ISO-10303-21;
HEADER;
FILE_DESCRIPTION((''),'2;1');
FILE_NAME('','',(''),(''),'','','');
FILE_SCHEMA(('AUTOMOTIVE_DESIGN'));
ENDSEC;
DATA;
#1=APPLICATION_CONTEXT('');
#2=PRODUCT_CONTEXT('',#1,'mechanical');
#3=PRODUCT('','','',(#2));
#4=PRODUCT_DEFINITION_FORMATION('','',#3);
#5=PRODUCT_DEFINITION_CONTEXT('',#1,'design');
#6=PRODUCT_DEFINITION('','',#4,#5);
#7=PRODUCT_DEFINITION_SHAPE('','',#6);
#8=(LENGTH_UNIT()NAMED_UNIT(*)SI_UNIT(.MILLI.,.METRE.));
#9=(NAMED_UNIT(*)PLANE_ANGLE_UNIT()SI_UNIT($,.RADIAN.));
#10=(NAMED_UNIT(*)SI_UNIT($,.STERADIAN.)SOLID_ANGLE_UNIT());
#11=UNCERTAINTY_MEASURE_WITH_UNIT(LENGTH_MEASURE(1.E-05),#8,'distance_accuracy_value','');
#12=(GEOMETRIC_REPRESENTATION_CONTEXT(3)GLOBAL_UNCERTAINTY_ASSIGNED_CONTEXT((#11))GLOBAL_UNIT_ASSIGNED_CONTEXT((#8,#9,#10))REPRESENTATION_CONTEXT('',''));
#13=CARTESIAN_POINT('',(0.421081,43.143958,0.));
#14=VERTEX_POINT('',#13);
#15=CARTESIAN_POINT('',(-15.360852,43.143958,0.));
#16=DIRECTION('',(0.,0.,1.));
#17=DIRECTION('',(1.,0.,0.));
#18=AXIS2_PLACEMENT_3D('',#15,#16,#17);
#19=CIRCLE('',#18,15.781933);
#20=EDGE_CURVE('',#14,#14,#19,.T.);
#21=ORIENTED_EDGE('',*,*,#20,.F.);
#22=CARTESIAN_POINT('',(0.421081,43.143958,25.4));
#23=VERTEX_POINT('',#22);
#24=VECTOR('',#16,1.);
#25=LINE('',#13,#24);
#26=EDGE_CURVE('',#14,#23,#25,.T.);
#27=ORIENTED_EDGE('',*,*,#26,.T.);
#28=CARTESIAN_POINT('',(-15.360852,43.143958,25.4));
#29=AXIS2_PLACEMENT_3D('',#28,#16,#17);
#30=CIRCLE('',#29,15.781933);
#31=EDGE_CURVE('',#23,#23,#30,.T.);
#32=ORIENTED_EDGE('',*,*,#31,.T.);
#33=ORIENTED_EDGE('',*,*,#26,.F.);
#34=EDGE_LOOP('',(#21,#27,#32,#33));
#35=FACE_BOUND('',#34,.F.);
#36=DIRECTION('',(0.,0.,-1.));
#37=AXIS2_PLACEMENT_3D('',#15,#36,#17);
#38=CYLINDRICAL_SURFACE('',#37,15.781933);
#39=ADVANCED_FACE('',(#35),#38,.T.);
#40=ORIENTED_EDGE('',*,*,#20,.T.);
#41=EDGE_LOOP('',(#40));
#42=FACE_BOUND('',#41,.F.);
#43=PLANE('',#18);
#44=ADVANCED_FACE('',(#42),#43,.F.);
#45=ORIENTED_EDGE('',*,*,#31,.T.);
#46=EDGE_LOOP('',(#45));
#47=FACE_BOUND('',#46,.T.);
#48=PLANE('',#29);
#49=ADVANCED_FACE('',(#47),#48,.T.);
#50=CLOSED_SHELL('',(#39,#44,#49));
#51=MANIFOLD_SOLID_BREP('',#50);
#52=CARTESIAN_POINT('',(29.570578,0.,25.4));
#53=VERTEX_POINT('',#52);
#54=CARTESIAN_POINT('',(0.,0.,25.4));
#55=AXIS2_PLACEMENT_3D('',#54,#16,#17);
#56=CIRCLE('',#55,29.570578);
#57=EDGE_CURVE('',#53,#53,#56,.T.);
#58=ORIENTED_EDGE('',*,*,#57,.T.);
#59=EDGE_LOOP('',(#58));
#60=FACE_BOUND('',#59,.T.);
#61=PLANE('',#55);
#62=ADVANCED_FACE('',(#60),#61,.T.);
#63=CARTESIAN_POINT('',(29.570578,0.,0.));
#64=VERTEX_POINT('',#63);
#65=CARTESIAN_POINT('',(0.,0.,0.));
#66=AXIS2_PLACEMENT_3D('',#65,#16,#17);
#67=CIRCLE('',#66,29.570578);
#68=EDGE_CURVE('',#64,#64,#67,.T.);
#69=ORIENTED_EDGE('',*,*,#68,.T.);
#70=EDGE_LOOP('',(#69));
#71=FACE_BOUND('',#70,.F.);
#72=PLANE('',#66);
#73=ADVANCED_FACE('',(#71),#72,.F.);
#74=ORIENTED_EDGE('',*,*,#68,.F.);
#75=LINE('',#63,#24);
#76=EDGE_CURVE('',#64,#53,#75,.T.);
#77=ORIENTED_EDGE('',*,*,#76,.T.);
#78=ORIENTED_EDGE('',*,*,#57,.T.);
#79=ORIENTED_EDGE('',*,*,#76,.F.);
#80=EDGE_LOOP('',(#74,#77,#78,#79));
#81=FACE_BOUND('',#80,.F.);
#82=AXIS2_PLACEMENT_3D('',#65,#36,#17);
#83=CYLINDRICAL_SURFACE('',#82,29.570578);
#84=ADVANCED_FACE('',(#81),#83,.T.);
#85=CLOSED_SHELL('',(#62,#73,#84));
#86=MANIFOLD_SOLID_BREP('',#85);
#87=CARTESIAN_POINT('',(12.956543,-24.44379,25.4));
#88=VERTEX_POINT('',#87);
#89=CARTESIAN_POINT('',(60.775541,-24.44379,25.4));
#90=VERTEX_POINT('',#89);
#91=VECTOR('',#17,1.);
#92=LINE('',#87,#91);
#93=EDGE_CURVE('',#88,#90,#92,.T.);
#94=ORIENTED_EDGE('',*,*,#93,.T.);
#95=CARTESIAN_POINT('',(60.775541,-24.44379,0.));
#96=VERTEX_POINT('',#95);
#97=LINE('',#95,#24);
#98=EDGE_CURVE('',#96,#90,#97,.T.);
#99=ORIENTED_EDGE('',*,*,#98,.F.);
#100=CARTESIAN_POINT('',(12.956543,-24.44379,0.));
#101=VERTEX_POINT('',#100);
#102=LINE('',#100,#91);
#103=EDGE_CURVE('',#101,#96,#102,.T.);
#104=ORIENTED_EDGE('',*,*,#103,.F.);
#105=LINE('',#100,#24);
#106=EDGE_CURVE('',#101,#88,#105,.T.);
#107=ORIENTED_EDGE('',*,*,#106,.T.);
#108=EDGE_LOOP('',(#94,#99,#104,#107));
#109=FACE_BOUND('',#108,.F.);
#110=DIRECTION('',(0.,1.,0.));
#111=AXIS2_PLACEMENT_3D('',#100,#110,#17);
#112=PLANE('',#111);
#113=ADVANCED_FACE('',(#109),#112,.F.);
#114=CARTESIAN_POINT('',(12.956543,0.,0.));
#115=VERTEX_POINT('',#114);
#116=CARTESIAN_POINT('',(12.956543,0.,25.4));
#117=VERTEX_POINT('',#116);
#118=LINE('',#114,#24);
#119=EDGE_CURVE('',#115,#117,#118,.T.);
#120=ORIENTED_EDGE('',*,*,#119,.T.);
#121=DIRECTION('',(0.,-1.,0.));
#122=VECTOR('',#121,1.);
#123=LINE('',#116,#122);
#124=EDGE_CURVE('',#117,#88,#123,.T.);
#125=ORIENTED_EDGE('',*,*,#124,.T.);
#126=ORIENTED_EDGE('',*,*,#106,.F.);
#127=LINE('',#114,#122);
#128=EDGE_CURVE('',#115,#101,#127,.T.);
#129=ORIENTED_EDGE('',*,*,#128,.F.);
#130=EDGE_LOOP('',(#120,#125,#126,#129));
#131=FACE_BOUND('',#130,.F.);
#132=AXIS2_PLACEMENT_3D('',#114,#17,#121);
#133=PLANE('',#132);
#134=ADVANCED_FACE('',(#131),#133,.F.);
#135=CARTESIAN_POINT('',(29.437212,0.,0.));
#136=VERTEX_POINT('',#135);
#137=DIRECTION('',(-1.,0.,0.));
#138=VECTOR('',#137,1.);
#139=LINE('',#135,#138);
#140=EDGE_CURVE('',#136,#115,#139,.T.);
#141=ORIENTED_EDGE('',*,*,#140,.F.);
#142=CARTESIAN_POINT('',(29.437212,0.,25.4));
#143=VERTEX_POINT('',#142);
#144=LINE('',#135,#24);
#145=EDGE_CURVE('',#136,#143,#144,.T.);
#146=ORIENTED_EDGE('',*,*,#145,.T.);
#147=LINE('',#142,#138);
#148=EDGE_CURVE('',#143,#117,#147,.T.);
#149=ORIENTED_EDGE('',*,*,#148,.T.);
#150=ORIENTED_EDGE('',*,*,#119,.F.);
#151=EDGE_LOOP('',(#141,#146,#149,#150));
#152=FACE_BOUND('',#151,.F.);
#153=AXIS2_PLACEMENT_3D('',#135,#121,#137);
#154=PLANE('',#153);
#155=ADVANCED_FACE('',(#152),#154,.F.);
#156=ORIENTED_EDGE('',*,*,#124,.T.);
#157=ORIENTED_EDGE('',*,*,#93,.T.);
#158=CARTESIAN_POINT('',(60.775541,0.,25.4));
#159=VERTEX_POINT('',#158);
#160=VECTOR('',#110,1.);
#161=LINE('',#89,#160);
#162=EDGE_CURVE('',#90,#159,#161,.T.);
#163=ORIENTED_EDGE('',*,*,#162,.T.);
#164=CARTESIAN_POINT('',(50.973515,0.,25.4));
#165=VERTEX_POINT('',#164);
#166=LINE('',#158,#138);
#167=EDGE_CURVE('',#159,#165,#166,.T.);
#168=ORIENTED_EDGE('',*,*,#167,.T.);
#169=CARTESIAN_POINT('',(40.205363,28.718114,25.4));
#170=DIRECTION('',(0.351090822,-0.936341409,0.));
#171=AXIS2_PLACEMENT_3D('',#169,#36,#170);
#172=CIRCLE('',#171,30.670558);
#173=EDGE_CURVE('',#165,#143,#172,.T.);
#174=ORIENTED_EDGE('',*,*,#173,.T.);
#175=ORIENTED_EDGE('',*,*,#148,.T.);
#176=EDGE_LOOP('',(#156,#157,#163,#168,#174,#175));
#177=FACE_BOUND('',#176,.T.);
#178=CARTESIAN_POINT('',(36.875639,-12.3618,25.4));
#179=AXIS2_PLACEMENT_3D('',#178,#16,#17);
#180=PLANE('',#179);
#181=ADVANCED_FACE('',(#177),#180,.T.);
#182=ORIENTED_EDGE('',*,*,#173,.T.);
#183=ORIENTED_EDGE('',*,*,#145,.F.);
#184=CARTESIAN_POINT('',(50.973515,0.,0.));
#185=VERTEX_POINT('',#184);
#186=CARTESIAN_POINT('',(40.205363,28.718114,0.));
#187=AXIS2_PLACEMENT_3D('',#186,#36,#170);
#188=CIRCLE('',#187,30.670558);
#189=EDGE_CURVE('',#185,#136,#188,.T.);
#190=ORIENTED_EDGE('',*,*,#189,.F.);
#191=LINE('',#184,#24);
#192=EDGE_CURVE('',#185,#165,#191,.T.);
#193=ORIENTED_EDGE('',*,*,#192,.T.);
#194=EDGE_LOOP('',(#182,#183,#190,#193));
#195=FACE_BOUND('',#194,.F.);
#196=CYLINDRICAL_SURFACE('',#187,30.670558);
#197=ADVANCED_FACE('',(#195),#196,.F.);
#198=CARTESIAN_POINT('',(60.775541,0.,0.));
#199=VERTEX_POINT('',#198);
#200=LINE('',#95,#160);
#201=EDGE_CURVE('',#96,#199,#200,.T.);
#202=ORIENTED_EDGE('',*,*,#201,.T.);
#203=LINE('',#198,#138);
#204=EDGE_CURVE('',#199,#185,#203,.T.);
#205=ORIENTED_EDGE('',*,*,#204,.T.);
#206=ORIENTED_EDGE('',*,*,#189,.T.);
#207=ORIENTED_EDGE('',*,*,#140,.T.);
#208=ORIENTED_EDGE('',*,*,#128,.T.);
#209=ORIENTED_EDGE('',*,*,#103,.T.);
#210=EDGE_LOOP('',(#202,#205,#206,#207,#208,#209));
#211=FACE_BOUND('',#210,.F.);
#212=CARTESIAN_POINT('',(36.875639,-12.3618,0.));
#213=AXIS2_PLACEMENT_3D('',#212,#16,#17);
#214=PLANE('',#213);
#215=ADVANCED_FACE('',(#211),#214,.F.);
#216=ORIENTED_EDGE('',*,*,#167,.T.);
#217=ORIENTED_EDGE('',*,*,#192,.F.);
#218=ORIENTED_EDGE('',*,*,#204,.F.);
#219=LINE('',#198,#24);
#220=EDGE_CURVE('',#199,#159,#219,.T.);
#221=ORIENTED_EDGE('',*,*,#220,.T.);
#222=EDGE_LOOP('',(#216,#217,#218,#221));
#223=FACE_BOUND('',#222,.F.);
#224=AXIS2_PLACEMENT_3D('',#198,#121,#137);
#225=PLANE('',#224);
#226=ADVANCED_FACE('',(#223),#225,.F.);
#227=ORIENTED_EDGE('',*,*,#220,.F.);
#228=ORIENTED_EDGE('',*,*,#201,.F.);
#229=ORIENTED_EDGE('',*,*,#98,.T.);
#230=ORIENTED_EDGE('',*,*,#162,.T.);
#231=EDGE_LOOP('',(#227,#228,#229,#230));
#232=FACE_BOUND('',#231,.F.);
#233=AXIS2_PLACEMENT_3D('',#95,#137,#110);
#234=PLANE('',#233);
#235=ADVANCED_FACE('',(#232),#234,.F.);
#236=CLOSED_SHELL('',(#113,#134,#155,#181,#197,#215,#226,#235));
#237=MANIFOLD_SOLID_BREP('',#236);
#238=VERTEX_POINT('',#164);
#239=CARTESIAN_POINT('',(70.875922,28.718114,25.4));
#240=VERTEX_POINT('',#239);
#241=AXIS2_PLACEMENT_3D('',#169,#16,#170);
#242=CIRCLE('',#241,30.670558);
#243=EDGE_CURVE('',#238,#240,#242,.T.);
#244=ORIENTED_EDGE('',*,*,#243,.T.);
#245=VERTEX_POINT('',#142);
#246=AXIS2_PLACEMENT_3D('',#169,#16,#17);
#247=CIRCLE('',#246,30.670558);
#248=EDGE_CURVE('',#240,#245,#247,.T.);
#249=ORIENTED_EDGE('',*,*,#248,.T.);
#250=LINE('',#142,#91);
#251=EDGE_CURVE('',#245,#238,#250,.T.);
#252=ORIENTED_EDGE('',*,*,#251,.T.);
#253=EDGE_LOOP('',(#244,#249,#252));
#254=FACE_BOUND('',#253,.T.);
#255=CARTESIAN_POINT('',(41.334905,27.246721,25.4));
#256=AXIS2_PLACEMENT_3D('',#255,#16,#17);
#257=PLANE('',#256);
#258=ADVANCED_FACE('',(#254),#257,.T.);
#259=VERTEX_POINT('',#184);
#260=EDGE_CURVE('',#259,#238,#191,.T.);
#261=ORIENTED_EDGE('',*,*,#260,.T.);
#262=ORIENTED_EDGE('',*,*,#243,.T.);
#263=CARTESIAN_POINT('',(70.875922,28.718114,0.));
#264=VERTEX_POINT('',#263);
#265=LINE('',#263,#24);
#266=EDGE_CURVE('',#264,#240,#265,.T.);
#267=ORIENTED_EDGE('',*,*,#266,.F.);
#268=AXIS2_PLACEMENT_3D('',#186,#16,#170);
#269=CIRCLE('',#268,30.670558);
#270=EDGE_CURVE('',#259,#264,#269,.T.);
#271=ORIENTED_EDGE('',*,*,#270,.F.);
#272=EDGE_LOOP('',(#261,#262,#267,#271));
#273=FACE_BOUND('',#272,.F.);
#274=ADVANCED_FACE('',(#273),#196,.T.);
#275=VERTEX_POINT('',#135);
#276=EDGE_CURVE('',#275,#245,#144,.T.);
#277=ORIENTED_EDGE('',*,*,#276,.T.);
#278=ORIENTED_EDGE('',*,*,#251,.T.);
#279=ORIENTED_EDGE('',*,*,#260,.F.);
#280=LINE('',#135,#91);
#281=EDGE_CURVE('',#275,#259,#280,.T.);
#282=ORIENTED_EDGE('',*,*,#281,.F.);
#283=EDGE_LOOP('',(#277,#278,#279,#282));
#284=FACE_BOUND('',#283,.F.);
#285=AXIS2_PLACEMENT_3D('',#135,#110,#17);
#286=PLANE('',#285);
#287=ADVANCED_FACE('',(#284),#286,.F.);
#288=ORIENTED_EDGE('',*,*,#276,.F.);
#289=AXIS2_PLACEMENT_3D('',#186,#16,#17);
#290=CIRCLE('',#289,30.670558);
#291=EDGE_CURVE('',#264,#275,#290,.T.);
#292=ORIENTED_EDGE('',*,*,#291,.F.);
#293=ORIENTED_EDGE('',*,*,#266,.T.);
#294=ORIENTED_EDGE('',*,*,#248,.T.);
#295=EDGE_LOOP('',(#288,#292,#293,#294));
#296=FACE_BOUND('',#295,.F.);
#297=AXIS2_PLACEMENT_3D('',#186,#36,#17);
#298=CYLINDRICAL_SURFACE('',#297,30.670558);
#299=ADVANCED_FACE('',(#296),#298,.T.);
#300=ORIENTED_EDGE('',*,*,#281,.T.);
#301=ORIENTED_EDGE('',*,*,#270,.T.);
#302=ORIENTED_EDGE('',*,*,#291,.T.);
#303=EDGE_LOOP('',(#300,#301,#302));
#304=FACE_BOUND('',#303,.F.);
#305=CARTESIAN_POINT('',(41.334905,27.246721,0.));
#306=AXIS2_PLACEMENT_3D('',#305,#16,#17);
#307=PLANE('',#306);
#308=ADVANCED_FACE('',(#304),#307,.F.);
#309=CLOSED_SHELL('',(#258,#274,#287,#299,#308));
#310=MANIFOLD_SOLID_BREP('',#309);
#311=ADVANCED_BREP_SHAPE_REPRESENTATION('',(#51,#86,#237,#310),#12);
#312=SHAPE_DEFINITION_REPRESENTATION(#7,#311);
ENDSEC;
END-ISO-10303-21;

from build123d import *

# Parameters (mm, degrees)
F0_R     = 29.5705775905
F3_DEPTH = 25.4
F1_R     = 15.7819327394


with BuildPart() as f3:
    # F0 (on Top) → F3 (new body)
    with BuildSketch(Plane.XY):
        Circle(F0_R)
    extrude(amount=F3_DEPTH)


with BuildPart() as f3b:
    # F2 (on Top) → F3, piece 2 (new body)
    with BuildSketch(Plane.XY):
        with BuildLine():
            ThreePointArc((50.9735147705, 0), (40.2053631842, -1.9524445325), (29.4372115979, 0))
            Line((29.4372115979, 0), (12.9565428942, 0))
            Line((12.9565428942, 0), (12.9565428942, -24.4437903166))
            Line((12.9565428942, -24.4437903166), (60.7755407691, -24.4437903166))
            Line((60.7755407691, -24.4437903166), (60.7755407691, 0))
            Line((60.7755407691, 0), (50.9735147705, 0))
        make_face()
    extrude(amount=F3_DEPTH)


with BuildPart() as f3c:
    # F2 (on Top) → F3, piece 3 (new body)
    with BuildSketch(Plane.XY):
        with BuildLine():
            ThreePointArc((50.9735147705, 0), (65.4139765628, 11.2478830466), (70.8759216159, 28.7181138992))
            ThreePointArc((70.8759216159, 28.7181138992), (22.7351323316, 53.9267272778), (29.4372115979, 0))
            Line((29.4372115979, 0), (50.9735147705, 0))
        make_face()
    extrude(amount=F3_DEPTH)


with BuildPart() as f3d:
    # F1 (on Top) → F3, piece 4 (new body)
    with BuildSketch(Plane.XY):
        with Locations((-15.3608517721, 43.1439578533)):
            Circle(F1_R)
    extrude(amount=F3_DEPTH)


solid = Compound([f3.part, f3b.part, f3c.part, f3d.part])
